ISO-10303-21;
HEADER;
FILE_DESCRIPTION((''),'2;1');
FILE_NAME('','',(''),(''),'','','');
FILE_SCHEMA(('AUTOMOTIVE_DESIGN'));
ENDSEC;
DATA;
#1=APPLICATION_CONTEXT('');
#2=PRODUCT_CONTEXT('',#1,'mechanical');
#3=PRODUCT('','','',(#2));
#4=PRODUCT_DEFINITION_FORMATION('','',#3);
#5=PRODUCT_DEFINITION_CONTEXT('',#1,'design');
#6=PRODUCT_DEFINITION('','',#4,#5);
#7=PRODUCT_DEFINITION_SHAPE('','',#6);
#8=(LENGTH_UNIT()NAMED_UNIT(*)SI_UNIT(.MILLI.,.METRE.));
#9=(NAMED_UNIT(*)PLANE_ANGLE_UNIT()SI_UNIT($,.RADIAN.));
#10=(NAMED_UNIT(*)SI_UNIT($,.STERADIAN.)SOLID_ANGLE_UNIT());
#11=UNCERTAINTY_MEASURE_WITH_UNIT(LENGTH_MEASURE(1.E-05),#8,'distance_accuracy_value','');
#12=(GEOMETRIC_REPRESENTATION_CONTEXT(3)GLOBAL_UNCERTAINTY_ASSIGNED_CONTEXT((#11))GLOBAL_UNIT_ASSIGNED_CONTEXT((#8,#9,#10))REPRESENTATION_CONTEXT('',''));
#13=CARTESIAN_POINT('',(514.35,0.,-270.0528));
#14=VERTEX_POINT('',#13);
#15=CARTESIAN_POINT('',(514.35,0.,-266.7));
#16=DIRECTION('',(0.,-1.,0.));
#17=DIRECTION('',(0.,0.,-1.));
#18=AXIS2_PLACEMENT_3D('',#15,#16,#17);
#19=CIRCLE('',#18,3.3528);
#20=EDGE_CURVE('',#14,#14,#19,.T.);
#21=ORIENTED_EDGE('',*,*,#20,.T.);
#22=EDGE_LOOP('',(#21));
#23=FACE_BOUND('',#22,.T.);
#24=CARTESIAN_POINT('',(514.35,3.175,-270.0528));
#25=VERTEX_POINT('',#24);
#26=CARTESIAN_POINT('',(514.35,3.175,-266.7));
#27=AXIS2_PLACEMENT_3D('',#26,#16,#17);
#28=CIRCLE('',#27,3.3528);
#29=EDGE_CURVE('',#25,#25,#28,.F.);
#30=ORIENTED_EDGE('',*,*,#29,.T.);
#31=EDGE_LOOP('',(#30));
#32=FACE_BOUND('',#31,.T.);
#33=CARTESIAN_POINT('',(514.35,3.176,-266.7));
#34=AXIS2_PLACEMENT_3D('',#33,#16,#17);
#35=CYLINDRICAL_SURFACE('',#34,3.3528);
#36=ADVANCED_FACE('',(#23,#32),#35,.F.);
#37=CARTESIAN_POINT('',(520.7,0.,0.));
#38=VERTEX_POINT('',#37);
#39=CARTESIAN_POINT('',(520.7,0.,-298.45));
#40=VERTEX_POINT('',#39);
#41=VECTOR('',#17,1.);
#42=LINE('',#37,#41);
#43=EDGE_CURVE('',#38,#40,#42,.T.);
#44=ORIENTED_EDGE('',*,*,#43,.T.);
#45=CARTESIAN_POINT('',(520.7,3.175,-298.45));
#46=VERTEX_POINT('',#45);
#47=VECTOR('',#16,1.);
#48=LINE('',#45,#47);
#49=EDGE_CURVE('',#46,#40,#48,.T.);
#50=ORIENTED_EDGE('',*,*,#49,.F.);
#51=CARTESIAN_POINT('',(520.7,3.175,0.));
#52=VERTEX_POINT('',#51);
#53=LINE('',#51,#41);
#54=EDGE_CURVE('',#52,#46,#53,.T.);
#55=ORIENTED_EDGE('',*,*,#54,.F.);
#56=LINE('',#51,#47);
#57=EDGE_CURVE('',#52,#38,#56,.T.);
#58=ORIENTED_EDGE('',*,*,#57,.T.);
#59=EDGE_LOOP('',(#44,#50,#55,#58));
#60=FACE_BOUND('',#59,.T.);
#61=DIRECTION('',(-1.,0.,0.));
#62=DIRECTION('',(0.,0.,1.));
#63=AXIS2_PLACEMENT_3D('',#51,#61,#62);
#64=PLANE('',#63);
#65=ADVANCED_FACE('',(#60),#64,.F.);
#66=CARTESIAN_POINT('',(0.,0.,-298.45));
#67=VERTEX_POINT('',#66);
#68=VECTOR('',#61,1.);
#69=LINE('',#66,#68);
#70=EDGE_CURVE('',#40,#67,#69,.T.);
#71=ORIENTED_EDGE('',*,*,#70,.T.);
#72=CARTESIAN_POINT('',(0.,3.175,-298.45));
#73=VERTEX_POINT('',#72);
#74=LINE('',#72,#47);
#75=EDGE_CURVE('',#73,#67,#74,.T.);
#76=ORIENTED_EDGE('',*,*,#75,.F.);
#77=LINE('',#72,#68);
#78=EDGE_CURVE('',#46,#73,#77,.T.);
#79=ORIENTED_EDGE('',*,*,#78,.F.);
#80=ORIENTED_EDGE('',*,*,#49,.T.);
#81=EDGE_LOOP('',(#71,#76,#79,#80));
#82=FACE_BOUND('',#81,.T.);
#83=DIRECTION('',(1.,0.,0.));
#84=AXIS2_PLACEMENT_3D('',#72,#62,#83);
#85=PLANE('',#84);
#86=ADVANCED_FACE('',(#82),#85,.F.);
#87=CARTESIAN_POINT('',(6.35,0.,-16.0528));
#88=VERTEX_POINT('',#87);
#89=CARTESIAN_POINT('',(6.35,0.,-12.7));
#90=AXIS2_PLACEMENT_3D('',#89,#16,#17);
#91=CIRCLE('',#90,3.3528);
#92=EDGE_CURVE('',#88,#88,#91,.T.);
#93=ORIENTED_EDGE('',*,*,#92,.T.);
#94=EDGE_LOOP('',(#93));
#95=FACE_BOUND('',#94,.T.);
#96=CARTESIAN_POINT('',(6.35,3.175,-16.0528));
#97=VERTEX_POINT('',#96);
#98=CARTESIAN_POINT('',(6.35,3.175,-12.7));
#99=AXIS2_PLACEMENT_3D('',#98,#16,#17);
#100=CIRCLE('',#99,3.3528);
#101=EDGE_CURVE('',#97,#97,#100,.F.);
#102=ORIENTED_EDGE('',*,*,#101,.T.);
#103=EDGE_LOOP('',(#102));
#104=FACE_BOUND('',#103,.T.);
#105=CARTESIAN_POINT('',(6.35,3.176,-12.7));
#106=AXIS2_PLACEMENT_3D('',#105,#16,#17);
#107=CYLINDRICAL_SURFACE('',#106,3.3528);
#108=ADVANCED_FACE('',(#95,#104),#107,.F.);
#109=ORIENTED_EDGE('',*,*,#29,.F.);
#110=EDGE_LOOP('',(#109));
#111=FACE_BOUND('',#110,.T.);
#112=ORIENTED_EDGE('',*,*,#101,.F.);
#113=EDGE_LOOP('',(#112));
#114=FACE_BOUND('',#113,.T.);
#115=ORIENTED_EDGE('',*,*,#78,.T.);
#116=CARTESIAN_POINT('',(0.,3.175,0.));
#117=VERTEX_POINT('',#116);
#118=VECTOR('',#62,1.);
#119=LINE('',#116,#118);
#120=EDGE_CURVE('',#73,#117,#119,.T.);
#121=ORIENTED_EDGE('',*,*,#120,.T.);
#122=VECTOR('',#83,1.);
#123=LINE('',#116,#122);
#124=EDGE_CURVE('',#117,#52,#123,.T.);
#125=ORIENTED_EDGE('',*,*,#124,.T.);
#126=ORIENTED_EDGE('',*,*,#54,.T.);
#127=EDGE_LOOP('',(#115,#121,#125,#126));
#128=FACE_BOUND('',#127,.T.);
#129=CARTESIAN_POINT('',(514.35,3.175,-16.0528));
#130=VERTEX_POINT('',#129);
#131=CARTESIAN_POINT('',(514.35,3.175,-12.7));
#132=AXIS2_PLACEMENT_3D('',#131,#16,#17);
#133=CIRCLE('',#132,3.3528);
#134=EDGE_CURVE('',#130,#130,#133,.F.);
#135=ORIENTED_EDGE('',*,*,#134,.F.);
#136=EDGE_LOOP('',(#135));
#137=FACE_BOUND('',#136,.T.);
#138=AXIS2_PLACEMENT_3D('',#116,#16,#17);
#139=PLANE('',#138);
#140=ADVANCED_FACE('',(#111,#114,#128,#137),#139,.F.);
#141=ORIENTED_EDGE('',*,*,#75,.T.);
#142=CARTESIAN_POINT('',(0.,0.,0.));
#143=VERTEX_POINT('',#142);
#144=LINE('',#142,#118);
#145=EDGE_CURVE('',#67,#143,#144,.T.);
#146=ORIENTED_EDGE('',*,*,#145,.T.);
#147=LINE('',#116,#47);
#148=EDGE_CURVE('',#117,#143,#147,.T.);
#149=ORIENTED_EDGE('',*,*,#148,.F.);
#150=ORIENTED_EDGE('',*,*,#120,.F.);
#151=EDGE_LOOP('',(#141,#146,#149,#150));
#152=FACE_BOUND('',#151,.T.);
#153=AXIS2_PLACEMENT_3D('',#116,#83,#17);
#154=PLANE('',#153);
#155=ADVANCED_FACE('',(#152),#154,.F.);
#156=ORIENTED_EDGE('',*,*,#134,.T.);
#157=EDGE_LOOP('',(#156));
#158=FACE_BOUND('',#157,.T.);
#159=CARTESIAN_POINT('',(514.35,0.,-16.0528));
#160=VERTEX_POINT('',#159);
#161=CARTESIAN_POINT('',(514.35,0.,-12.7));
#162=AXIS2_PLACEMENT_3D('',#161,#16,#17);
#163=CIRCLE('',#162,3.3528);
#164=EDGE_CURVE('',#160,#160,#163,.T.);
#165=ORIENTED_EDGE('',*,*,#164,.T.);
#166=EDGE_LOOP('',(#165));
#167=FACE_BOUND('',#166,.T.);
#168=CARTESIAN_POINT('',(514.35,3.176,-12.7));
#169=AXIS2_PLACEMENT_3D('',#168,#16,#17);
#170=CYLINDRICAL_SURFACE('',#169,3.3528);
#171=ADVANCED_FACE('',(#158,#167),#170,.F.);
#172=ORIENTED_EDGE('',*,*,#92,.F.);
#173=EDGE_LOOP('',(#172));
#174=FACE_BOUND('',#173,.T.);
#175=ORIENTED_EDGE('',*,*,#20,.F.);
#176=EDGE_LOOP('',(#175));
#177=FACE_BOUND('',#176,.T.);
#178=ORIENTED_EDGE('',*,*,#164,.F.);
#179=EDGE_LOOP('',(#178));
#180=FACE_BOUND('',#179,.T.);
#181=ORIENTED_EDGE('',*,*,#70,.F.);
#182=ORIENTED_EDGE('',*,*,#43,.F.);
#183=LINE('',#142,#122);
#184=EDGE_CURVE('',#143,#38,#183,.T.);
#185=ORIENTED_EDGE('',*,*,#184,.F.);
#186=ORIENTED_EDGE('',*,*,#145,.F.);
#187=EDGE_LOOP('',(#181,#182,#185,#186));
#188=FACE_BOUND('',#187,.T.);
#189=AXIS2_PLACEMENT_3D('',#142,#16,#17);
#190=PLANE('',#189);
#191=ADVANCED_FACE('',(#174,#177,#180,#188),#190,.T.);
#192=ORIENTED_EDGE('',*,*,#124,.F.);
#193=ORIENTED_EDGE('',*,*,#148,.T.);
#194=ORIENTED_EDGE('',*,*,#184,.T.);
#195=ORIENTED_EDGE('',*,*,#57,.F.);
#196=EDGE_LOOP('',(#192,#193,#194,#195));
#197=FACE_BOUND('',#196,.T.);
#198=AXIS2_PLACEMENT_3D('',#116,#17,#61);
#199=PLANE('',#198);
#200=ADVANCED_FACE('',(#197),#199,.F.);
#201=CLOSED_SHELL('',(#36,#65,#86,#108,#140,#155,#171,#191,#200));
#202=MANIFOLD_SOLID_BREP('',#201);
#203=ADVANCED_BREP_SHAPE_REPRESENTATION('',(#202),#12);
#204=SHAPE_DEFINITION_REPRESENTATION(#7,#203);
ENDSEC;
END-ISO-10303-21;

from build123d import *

# Parameters (mm, degrees)
SKETCH1_W           = 520.7
SKETCH1_H           = 298.45
BOSS_EXTRUDE1_DEPTH = 3.175
CUT_EXTRUDE1_REACH  = 5.175
SKETCH2_R           = 3.3528


with BuildPart() as part:
    # Sketch1 → Boss-Extrude1 (new body)
    with BuildSketch(Plane(origin=(0, 0, 0), x_dir=(1, 0, 0), z_dir=(0, 1, 0))):
        with Locations((260.35, 149.225)):
            Rectangle(SKETCH1_W, SKETCH1_H)
    extrude(amount=BOSS_EXTRUDE1_DEPTH)

    # Sketch2 → Cut-Extrude1 (cut, up to next)
    with BuildSketch(Plane.XZ, mode=Mode.PRIVATE) as cut_extrude1_sk1:
        with Locations((6.35, -12.7)):
            Circle(SKETCH2_R)
    cut_extrude1_tool1 = extrude(cut_extrude1_sk1.sketch, amount=-CUT_EXTRUDE1_REACH, mode=Mode.PRIVATE) & part.part
    add(cut_extrude1_tool1.solids().sort_by_distance((6.35, 0, -12.7))[0], mode=Mode.SUBTRACT)
    # Sketch2 → Cut-Extrude1 (cut, up to next)
    with BuildSketch(Plane.XZ, mode=Mode.PRIVATE) as cut_extrude1_sk2:
        with Locations((514.35, -12.7)):
            Circle(SKETCH2_R)
    cut_extrude1_tool2 = extrude(cut_extrude1_sk2.sketch, amount=-CUT_EXTRUDE1_REACH, mode=Mode.PRIVATE) & part.part
    add(cut_extrude1_tool2.solids().sort_by_distance((514.35, 0, -12.7))[0], mode=Mode.SUBTRACT)
    # Sketch2 → Cut-Extrude1 (cut, up to next)
    with BuildSketch(Plane.XZ, mode=Mode.PRIVATE) as cut_extrude1_sk3:
        with Locations((514.35, -266.7)):
            Circle(SKETCH2_R)
    cut_extrude1_tool3 = extrude(cut_extrude1_sk3.sketch, amount=-CUT_EXTRUDE1_REACH, mode=Mode.PRIVATE) & part.part
    add(cut_extrude1_tool3.solids().sort_by_distance((514.35, 0, -266.7))[0], mode=Mode.SUBTRACT)


solid = part.part
